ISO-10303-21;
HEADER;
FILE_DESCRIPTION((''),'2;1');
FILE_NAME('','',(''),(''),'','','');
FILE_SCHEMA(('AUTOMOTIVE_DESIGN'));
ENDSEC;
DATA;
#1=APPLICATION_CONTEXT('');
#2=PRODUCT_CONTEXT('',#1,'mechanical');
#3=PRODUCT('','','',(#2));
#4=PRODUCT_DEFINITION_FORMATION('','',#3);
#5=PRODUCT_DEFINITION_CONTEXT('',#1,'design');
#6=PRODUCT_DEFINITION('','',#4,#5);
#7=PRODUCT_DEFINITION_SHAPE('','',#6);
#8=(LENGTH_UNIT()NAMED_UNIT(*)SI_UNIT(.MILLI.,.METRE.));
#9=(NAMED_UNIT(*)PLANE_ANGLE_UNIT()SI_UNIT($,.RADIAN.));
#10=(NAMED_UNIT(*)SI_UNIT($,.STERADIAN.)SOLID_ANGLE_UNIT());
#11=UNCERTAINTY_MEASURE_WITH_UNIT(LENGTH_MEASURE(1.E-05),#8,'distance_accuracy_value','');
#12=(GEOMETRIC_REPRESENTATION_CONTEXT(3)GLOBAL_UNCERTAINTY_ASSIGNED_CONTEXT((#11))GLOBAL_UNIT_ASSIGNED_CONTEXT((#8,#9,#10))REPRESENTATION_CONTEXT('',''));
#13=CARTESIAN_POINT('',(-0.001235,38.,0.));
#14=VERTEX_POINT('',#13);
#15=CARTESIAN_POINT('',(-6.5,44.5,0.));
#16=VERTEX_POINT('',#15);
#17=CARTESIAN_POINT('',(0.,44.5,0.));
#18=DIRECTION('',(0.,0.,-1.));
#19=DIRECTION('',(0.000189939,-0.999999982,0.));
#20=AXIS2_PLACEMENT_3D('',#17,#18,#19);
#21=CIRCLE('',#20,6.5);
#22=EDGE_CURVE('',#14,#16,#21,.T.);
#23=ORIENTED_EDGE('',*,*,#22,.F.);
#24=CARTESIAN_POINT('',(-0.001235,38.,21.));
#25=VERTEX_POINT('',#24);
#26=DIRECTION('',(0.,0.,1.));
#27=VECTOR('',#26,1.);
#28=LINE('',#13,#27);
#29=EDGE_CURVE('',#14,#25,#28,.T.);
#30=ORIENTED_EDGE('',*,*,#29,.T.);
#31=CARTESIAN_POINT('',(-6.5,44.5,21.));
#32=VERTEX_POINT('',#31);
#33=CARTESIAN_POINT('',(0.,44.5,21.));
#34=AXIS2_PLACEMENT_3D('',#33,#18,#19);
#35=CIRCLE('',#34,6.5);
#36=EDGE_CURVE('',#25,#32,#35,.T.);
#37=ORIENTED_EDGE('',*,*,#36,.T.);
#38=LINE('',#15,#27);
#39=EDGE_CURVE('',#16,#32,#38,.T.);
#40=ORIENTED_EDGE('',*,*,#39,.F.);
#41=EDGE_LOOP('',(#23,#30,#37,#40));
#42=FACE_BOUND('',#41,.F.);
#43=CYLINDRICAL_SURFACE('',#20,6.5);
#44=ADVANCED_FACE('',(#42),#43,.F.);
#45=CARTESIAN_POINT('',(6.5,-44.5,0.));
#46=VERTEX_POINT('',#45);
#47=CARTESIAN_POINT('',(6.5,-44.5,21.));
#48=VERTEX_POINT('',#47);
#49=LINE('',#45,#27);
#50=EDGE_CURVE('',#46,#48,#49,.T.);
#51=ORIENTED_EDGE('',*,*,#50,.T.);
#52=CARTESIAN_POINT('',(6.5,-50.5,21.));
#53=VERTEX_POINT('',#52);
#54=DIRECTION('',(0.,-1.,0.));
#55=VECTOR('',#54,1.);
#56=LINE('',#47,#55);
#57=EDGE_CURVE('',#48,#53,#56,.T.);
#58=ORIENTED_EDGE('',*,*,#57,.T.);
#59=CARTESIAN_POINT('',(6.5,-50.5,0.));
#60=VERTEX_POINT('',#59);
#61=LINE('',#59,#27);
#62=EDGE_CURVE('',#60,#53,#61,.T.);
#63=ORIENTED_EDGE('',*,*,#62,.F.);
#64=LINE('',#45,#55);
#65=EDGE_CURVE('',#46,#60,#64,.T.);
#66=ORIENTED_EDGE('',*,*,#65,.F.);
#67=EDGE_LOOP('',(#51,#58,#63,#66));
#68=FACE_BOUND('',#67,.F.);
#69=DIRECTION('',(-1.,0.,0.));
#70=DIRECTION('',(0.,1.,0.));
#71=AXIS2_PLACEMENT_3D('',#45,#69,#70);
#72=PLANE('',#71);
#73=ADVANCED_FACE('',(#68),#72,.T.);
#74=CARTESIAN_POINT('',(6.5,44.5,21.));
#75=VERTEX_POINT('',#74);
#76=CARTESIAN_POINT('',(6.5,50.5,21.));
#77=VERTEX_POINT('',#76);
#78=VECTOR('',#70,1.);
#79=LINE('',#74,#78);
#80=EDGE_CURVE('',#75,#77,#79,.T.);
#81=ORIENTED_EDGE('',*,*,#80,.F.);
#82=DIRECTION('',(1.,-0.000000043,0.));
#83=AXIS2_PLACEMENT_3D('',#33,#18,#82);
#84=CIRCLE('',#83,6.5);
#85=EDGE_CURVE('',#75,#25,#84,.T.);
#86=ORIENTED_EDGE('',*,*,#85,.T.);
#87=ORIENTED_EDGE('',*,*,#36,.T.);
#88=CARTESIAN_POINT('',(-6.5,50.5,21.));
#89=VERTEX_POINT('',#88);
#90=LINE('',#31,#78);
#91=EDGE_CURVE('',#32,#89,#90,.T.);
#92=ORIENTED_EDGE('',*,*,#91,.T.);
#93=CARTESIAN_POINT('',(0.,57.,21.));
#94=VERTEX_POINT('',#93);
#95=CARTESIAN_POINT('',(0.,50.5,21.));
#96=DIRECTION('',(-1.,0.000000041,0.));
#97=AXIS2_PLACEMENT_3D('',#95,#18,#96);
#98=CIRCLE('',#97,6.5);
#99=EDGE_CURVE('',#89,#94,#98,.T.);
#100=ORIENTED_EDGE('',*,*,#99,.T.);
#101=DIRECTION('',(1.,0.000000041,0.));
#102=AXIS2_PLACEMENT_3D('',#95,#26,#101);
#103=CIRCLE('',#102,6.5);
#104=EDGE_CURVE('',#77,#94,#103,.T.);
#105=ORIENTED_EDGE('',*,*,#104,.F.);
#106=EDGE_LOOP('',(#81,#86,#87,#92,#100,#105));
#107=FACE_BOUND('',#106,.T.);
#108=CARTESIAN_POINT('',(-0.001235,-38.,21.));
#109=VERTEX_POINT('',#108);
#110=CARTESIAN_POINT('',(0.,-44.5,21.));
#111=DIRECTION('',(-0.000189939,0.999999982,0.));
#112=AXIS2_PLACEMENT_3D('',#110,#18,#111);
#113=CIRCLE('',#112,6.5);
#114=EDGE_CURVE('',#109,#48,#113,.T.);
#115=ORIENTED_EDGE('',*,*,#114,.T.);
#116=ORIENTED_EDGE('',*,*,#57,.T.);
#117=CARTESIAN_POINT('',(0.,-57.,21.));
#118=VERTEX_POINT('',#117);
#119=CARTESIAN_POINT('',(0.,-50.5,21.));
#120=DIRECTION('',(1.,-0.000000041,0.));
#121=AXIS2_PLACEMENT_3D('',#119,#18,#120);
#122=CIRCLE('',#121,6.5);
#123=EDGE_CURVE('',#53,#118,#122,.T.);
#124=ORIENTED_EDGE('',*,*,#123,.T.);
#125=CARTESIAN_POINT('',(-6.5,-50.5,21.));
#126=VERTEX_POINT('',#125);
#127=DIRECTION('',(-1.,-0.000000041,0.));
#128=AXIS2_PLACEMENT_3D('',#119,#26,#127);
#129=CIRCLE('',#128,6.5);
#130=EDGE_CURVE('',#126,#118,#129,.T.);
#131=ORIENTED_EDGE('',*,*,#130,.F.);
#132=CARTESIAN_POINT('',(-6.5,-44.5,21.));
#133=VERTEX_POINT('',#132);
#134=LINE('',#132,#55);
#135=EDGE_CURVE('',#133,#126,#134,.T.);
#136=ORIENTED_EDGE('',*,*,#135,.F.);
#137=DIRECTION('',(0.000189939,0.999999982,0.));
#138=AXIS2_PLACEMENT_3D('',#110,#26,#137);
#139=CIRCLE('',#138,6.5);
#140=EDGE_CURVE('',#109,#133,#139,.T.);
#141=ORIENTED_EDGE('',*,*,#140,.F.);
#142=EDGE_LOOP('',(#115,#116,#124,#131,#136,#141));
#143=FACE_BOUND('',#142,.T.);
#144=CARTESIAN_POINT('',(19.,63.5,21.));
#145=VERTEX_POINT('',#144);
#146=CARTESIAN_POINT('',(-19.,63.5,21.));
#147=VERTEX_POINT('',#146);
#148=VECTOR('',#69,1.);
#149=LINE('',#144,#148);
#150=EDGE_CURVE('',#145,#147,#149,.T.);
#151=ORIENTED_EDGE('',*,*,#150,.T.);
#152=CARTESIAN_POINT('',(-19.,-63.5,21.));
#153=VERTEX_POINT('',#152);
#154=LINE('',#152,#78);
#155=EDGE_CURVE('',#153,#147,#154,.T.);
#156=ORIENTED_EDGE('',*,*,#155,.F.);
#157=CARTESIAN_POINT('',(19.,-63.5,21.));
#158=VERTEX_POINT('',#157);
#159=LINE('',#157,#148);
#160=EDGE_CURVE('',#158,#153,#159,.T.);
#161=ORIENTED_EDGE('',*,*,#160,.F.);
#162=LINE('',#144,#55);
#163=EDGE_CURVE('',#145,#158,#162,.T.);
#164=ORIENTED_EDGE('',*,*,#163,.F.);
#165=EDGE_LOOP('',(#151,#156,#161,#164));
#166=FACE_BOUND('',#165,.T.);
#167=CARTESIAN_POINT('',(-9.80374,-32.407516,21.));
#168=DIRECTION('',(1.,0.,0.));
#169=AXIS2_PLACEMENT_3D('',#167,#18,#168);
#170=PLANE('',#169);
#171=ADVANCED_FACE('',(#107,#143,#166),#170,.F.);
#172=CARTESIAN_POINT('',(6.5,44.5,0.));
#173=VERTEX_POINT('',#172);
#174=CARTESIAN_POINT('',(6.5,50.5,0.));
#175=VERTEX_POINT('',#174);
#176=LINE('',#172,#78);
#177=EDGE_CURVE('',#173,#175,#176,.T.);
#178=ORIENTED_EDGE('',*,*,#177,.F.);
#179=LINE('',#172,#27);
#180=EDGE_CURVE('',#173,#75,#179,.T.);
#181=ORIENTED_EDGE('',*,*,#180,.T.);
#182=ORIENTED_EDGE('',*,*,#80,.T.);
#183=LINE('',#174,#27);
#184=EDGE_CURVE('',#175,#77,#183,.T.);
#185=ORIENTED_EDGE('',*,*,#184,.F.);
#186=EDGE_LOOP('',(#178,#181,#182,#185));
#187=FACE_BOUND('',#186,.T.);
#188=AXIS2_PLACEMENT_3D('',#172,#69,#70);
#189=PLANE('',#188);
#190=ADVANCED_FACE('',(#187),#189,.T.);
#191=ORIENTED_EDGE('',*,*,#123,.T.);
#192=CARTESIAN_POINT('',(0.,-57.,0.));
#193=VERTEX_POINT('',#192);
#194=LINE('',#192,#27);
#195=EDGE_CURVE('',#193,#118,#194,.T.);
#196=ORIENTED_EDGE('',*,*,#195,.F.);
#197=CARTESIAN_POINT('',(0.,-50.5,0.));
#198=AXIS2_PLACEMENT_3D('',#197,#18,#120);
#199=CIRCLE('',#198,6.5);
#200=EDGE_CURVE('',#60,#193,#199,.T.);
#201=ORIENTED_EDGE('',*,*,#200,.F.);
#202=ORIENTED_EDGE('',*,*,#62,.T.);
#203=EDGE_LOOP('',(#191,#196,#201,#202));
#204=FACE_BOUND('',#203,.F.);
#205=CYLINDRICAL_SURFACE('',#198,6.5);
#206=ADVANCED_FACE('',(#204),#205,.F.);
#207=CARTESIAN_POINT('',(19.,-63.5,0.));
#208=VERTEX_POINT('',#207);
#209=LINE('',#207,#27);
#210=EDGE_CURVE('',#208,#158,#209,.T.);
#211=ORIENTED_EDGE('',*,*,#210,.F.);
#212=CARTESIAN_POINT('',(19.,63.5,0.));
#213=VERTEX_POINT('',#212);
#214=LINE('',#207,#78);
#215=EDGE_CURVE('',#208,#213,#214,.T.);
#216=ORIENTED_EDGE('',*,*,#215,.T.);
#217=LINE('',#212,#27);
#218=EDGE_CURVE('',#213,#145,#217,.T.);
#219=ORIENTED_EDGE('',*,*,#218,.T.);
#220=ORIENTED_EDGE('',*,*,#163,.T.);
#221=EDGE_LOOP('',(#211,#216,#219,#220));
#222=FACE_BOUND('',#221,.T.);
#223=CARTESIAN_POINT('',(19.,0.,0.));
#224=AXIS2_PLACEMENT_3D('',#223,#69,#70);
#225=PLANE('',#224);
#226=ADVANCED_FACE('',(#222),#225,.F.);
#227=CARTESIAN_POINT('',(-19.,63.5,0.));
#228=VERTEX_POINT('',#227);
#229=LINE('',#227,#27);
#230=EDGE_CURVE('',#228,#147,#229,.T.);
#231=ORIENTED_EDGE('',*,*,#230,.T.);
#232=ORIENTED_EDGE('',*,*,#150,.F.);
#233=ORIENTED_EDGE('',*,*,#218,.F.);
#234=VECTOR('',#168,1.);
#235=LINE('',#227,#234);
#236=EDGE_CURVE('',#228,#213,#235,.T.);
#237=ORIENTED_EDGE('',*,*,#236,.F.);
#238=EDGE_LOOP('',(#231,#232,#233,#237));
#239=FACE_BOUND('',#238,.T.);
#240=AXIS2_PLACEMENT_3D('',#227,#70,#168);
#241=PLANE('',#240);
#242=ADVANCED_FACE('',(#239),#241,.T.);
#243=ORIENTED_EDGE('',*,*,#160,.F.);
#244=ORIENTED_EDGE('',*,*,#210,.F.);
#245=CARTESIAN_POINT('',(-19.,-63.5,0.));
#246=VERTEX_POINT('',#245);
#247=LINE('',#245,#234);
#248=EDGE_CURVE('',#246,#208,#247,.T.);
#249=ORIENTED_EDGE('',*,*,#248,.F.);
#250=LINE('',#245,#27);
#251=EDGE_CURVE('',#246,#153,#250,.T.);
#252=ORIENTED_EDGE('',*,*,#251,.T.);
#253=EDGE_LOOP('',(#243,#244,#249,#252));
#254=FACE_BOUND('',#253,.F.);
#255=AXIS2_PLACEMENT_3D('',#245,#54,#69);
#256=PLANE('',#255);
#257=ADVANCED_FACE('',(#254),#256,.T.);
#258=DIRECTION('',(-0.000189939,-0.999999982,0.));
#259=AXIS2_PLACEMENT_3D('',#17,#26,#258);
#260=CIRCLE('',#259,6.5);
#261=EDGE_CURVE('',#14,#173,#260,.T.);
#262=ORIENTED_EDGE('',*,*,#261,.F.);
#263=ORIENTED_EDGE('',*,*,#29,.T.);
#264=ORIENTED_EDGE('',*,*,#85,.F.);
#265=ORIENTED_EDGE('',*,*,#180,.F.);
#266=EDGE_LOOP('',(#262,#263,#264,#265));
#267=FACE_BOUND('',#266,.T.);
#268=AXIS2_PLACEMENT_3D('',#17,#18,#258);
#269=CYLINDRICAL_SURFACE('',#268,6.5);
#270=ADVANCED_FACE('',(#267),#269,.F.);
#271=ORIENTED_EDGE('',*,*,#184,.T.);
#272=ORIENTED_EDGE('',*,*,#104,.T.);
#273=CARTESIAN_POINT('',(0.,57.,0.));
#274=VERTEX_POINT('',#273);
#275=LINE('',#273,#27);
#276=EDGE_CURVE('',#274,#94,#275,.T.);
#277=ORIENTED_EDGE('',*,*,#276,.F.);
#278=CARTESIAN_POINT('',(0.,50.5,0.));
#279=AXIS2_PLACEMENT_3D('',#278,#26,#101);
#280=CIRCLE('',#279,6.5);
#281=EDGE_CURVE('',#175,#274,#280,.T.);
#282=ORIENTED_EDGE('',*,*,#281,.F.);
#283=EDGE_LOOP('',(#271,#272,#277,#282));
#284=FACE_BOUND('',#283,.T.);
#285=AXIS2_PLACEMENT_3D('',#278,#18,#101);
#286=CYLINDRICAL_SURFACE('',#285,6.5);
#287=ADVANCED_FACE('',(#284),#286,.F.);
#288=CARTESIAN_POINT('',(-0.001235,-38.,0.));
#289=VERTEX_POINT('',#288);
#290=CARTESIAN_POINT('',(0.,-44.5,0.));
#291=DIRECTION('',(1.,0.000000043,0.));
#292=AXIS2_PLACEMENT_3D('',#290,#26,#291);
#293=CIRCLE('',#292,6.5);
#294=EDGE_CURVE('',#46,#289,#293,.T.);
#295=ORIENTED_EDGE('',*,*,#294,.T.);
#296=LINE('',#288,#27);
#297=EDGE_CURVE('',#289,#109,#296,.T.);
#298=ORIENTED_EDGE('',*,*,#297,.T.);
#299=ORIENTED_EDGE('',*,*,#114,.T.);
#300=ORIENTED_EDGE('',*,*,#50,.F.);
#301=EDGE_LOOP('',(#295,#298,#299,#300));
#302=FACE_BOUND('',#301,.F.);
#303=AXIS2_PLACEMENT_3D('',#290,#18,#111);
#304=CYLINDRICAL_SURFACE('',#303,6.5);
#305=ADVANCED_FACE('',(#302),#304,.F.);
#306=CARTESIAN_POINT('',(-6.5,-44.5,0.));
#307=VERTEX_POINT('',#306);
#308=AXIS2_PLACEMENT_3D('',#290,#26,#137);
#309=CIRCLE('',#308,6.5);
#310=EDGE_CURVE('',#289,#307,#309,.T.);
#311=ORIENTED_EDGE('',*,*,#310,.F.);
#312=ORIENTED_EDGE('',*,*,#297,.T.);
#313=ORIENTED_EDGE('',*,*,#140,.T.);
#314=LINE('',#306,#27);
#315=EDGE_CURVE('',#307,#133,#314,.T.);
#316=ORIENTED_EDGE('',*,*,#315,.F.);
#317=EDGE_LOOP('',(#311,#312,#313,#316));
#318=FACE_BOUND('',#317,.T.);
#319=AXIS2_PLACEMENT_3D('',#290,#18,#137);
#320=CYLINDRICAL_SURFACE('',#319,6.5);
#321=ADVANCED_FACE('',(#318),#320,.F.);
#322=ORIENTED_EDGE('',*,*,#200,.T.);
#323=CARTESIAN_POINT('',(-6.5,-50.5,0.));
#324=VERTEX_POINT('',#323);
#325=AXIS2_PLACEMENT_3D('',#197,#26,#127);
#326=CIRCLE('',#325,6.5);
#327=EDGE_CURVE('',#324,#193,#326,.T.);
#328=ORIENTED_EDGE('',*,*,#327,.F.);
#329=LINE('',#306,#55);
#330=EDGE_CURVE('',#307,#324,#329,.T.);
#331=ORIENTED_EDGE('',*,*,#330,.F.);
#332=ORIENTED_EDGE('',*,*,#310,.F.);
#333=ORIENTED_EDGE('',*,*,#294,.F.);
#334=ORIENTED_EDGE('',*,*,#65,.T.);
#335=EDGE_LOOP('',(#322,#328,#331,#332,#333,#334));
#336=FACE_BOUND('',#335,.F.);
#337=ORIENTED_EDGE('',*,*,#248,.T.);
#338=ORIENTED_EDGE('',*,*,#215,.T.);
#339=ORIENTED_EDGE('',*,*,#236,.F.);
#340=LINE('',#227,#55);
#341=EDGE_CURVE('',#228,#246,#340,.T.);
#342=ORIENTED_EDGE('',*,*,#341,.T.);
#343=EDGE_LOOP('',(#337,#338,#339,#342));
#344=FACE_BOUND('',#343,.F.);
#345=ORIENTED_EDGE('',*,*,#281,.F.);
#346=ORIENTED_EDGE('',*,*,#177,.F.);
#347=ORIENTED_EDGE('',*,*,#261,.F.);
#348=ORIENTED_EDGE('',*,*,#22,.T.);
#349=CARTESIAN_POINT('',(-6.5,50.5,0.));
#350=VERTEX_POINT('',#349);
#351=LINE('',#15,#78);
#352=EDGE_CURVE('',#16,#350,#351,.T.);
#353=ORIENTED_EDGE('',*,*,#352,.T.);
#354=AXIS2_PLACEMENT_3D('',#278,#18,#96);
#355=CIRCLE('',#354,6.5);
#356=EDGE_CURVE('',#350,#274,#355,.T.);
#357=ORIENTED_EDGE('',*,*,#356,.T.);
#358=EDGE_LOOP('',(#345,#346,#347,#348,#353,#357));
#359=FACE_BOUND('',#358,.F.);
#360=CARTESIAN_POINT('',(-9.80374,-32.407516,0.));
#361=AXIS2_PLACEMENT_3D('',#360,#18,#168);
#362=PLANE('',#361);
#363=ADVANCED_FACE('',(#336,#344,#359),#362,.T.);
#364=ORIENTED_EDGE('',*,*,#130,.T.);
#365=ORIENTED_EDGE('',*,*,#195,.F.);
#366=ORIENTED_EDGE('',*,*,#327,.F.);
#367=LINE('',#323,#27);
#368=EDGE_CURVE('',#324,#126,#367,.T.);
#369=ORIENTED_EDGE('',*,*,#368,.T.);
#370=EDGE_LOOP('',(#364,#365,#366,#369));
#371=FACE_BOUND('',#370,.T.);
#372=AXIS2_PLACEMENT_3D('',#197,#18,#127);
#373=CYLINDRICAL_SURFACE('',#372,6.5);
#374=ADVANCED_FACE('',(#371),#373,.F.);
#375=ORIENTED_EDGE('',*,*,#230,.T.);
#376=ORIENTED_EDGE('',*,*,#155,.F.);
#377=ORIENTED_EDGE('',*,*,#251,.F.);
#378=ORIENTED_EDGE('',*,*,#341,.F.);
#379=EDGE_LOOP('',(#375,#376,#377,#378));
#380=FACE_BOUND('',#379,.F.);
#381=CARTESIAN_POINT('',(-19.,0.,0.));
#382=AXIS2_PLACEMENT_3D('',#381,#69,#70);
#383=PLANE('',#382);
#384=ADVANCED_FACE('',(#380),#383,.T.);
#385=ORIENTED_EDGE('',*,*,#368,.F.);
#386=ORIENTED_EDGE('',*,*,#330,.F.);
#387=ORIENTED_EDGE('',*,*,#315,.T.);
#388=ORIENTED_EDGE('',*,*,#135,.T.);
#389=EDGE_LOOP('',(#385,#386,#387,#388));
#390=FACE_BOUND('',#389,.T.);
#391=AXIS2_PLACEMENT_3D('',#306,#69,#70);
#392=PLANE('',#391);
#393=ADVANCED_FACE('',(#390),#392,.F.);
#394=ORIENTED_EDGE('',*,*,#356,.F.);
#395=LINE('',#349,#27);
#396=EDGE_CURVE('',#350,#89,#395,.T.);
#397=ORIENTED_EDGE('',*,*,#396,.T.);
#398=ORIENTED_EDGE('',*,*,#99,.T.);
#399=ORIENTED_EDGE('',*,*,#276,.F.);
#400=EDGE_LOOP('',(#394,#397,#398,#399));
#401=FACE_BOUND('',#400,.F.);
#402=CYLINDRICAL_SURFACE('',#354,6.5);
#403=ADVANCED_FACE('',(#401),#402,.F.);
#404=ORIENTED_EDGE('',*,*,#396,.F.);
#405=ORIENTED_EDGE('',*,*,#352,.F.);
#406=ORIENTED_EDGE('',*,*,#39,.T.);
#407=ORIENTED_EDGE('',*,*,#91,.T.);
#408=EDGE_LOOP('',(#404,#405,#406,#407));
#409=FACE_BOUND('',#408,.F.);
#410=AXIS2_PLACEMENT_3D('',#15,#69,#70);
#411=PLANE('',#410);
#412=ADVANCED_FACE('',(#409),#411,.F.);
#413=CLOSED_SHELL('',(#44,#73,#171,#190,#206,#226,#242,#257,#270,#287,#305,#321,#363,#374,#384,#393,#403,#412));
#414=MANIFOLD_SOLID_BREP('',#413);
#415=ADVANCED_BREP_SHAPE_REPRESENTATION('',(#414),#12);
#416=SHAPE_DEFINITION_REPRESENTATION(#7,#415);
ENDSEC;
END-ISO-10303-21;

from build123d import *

# Parameters (mm, degrees)
PAD006_DEPTH               = 21
PAD006_MIRRORED002_2_DEPTH = 21


with BuildPart() as part:
    # Sketch006 → Pad006 (new body)
    with BuildSketch(Plane.XY):
        with BuildLine():
            Line((0, 0), (19, 0))
            Line((19, 0), (19, 63.5))
            Line((19, 63.5), (0, 63.5))
            Line((0, 63.5), (0, 57))
            ThreePointArc((6.5, 50.5), (4.596194, 55.096194), (0, 57))
            Line((6.5, 44.5), (6.5, 50.5))
            ThreePointArc((-0.001235, 38), (4.595757, 39.903369), (6.5, 44.5))
            Line((-0.001235, 38), (0, 0))
        make_face()
    pad006 = extrude(amount=PAD006_DEPTH)

    # Sketch006 Mirrored002 2 → Pad006 Mirrored002 2 (add)
    with BuildSketch(Plane(origin=(0, 0, 0), x_dir=(-1, 0, 0), z_dir=(0, 0, -1))):
        with BuildLine():
            Line((0, 0), (19, 0))
            Line((19, 0), (19, 63.5))
            Line((19, 63.5), (0, 63.5))
            Line((0, 63.5), (0, 57))
            ThreePointArc((6.5, 50.5), (4.596194, 55.096194), (0, 57))
            Line((6.5, 44.5), (6.5, 50.5))
            ThreePointArc((-0.001235, 38), (4.595757, 39.903369), (6.5, 44.5))
            Line((-0.001235, 38), (0, 0))
        make_face()
    pad006_mirrored002_2 = extrude(amount=-PAD006_MIRRORED002_2_DEPTH)

    # Mirrored003: Pad006, Pad006 Mirrored002 2 across Sketch006 H_Axis
    add(pad006.mirror(Plane.ZX))
    add(pad006_mirrored002_2.mirror(Plane.ZX))


solid = part.part
